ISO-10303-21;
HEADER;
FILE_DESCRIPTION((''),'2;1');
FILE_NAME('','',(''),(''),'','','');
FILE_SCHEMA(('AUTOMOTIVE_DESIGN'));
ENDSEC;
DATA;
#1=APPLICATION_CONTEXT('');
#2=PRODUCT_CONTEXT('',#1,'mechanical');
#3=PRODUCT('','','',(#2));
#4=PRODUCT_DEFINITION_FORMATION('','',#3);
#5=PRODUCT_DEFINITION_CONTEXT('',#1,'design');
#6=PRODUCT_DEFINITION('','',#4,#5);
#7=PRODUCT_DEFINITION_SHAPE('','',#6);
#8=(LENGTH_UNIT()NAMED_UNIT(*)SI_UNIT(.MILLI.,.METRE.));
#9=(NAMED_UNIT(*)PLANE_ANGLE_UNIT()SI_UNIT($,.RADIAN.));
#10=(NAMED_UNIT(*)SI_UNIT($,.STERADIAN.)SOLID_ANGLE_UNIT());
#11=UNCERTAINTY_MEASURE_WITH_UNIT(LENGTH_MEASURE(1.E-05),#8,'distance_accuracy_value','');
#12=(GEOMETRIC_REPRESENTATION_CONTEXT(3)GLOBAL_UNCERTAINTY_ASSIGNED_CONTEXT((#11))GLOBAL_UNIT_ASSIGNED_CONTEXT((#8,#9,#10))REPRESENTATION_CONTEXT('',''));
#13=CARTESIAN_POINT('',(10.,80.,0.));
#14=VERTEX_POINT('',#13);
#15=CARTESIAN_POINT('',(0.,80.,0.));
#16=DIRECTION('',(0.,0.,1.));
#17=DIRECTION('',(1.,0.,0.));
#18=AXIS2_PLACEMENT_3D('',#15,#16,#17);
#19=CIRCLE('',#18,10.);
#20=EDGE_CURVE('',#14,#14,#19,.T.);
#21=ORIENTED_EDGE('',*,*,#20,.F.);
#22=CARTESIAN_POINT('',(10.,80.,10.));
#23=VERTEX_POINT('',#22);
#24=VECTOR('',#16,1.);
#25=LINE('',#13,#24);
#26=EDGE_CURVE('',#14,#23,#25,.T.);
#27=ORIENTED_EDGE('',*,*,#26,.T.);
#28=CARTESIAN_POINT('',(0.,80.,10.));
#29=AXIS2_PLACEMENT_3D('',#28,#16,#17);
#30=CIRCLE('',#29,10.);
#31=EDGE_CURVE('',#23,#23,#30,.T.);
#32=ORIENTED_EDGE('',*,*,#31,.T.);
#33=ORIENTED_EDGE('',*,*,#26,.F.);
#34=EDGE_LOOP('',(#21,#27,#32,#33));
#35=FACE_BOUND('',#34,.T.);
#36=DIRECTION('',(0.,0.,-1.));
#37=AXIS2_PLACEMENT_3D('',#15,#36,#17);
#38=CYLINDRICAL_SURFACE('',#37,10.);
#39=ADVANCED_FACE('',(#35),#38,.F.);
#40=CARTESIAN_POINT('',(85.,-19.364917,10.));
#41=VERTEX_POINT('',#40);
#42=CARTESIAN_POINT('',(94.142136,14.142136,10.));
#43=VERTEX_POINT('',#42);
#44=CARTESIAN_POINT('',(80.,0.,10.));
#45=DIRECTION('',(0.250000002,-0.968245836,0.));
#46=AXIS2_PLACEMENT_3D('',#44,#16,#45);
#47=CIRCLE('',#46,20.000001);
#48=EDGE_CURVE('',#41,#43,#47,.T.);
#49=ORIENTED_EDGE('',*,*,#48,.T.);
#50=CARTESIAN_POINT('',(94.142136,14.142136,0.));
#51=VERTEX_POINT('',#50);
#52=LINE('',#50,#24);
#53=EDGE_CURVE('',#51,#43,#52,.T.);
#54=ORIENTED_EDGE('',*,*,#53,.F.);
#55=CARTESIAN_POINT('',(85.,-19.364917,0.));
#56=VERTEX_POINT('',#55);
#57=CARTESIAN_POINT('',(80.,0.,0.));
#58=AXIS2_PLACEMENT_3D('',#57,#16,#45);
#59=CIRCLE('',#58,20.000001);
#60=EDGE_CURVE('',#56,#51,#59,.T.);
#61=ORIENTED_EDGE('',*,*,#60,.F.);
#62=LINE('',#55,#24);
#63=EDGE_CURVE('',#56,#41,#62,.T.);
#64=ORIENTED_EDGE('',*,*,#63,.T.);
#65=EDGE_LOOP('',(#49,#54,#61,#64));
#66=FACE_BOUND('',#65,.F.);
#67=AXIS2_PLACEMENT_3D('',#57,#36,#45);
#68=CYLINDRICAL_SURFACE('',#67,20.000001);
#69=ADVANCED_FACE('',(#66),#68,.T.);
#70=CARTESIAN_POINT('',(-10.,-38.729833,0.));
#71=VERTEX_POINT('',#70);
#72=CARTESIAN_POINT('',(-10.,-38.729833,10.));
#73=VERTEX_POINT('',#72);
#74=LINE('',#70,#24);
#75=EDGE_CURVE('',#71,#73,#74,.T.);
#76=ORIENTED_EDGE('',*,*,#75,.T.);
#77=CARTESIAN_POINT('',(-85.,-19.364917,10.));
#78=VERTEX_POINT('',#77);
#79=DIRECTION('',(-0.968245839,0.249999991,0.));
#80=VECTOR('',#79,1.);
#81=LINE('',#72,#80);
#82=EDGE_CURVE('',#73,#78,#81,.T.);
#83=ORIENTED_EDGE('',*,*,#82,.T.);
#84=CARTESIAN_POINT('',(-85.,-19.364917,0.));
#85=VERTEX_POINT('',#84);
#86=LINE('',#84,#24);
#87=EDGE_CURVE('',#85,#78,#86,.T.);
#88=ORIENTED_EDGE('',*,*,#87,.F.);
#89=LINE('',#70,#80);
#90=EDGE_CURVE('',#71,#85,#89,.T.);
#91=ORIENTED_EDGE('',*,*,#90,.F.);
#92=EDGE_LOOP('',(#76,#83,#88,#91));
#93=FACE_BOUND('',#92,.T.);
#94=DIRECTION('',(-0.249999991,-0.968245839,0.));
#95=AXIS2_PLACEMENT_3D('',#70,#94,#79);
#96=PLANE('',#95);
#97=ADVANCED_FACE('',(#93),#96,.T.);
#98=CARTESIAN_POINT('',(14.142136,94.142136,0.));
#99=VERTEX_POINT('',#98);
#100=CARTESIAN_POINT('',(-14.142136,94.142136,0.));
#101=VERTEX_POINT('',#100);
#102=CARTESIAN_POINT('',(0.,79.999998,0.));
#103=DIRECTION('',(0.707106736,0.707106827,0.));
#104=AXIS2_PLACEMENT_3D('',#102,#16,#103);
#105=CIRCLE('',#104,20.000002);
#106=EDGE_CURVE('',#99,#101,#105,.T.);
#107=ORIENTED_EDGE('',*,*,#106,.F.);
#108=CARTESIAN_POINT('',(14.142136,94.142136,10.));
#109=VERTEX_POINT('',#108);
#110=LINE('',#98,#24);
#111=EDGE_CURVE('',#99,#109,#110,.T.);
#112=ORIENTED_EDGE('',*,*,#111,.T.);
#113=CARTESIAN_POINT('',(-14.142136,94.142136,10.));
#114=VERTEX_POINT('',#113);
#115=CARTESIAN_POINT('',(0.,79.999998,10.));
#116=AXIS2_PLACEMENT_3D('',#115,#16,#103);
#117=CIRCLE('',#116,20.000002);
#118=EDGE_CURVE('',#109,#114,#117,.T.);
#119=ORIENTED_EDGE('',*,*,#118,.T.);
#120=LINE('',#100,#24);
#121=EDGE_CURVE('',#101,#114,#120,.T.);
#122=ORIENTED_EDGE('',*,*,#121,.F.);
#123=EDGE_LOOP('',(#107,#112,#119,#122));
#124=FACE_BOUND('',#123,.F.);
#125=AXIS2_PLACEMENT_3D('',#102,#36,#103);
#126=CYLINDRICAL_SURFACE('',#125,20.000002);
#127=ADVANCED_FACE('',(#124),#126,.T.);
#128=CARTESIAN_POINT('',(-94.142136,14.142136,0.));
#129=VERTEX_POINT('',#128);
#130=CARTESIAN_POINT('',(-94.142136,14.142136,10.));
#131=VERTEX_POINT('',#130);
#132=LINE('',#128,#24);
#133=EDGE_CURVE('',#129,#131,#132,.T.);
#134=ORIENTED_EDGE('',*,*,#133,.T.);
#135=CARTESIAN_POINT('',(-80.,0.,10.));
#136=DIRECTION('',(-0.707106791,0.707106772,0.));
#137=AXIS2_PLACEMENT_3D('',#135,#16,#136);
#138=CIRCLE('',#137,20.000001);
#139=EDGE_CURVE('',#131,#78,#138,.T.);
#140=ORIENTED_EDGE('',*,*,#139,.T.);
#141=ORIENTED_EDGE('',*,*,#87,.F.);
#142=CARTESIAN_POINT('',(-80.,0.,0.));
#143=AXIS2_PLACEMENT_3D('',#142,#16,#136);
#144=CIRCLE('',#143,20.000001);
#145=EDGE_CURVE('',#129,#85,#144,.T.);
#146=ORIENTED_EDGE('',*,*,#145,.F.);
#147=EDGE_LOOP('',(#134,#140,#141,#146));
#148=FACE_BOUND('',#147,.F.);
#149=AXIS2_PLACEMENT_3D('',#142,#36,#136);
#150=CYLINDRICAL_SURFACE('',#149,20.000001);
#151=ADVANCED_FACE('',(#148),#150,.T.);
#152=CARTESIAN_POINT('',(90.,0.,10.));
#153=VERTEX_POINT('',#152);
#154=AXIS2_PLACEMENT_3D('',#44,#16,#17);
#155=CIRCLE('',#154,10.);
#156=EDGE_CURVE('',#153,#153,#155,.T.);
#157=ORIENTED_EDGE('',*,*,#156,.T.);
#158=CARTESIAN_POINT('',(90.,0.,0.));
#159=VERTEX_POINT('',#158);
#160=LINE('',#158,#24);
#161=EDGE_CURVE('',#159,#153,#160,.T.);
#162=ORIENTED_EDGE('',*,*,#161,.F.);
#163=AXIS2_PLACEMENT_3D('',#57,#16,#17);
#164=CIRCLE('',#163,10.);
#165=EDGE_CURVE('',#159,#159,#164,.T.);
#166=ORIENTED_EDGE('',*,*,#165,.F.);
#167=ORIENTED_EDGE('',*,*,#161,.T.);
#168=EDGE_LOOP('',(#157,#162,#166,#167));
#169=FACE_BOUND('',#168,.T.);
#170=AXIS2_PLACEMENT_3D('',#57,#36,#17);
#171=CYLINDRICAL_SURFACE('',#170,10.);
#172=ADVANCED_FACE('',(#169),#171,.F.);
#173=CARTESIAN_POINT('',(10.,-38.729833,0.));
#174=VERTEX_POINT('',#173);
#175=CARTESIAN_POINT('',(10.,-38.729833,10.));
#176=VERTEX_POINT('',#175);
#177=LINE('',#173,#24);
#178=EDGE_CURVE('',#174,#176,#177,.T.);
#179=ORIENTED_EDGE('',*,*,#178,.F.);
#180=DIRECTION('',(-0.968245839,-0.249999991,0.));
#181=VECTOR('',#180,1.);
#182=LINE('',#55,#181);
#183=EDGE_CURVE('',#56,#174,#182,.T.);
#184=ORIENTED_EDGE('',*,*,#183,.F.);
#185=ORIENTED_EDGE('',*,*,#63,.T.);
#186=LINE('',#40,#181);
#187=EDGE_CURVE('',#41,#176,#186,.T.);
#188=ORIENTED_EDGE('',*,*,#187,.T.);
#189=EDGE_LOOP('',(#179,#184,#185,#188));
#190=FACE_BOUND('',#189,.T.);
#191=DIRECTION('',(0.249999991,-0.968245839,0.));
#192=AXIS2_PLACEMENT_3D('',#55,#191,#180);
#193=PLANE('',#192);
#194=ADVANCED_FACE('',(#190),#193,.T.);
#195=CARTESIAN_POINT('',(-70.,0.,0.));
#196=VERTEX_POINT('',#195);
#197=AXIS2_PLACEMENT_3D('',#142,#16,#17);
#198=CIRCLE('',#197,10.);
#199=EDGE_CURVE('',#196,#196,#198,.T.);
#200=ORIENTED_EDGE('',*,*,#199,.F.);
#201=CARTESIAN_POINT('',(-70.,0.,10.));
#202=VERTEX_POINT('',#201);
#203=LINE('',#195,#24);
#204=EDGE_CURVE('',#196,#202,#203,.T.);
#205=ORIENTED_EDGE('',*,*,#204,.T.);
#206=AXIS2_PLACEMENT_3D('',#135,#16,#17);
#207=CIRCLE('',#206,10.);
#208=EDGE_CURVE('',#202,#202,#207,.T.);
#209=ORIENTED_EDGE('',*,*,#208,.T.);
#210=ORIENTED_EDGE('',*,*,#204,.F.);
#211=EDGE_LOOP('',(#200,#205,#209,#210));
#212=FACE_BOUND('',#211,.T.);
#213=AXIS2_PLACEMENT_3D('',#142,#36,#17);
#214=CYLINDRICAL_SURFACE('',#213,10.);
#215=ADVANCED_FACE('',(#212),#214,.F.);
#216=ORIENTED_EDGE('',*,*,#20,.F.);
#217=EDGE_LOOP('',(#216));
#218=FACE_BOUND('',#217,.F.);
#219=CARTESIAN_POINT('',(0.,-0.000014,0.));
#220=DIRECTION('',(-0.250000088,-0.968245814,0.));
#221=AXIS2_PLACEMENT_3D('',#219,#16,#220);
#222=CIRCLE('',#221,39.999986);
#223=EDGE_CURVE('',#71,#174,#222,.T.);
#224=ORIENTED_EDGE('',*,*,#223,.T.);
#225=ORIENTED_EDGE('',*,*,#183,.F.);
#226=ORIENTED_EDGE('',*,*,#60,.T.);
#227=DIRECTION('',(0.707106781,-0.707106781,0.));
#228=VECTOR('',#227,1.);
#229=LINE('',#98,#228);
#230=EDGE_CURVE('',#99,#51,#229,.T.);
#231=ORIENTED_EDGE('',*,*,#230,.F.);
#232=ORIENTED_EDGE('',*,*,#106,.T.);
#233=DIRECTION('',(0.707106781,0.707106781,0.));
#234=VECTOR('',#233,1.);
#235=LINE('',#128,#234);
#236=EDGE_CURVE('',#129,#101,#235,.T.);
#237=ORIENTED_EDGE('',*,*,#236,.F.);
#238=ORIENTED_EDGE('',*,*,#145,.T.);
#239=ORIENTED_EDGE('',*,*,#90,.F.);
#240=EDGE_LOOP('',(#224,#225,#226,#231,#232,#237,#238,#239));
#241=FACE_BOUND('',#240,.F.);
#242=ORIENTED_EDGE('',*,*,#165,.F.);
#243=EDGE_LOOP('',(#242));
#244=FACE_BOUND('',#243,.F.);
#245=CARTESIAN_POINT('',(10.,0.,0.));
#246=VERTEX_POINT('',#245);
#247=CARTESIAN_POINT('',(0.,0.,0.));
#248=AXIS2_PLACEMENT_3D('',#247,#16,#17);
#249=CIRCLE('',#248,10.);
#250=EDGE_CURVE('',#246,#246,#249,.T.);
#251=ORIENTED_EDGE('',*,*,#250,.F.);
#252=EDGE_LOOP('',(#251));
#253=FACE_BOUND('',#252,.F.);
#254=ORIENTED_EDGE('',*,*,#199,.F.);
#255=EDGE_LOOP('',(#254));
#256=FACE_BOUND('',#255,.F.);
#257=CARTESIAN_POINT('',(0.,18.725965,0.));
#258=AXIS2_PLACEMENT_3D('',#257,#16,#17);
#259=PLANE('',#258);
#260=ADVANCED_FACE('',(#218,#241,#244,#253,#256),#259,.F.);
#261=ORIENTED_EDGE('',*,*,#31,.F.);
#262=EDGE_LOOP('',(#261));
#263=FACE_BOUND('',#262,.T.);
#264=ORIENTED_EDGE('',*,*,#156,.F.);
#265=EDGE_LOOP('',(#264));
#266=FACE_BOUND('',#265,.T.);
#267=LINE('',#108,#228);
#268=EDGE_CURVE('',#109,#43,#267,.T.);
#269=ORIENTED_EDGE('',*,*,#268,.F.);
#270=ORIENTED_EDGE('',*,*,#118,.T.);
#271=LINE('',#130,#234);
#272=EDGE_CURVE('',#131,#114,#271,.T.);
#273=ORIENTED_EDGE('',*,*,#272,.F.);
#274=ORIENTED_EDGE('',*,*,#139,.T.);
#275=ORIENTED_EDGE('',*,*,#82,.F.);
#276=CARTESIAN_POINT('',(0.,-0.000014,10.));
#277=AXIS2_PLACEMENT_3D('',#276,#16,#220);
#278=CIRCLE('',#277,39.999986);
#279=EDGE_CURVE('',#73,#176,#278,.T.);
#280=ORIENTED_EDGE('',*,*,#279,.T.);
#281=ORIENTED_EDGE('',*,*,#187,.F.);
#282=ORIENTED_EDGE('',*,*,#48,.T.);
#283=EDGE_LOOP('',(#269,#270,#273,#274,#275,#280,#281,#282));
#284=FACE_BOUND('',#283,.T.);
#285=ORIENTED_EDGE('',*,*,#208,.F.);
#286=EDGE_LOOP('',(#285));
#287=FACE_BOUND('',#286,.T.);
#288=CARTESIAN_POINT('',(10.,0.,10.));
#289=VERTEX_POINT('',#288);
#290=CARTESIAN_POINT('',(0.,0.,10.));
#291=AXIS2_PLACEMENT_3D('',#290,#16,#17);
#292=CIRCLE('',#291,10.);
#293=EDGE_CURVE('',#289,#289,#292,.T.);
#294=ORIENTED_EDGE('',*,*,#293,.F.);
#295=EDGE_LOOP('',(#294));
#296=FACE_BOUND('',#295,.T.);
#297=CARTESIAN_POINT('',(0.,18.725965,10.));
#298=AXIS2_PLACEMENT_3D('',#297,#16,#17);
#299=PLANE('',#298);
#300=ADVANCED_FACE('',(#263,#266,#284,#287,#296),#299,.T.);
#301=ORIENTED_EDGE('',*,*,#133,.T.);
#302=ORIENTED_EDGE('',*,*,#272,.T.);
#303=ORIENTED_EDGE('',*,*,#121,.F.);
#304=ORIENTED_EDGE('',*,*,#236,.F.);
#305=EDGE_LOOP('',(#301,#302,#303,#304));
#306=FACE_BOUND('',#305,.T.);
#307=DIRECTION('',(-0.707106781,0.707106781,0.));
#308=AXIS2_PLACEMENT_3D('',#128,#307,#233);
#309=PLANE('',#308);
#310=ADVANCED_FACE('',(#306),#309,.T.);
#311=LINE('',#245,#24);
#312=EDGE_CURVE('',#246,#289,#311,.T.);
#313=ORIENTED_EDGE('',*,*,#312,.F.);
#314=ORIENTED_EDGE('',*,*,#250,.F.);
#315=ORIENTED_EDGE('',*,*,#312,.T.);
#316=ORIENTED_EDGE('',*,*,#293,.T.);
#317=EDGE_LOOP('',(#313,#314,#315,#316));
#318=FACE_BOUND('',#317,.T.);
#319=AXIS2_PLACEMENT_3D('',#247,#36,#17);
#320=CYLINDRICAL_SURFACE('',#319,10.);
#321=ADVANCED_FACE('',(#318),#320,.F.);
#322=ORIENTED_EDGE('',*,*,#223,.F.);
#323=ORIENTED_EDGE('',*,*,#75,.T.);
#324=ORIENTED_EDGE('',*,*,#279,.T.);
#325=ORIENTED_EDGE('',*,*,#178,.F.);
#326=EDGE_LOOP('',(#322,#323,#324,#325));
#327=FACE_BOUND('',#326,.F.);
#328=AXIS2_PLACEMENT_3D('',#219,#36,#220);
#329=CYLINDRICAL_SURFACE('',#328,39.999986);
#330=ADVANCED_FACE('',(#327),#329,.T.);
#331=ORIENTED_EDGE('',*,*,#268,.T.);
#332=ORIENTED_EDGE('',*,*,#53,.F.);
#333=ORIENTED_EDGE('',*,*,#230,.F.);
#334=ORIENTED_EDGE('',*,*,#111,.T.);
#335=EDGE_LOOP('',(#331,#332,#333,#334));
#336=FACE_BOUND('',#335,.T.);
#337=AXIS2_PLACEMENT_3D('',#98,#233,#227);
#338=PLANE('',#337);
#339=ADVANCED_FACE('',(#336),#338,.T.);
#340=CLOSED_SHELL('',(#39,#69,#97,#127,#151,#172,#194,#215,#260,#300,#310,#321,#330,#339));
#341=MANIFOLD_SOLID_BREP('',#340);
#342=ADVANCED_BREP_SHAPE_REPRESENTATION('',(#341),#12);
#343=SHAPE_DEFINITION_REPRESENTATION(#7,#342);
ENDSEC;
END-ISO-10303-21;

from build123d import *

# Parameters (mm, degrees)
SKETCH_R      = 10
EXTRUDE_DEPTH = 10


with BuildPart() as part:
    # Sketch → Extrude (new body)
    with BuildSketch(Plane.XY):
        with BuildLine():
            ThreePointArc((-10, -38.729833), (0, -40), (10, -38.729833))
            Line((85, -19.364917), (10, -38.729833))
            ThreePointArc((85, -19.364917), (99.294714, -5.264411), (94.142136, 14.142136))
            Line((14.142136, 94.142136), (94.142136, 14.142136))
            ThreePointArc((14.142136, 94.142136), (0, 100), (-14.142136, 94.142136))
            Line((-94.142136, 14.142136), (-14.142136, 94.142136))
            ThreePointArc((-94.142136, 14.142136), (-99.294714, -5.264411), (-85, -19.364917))
            Line((-10, -38.729833), (-85, -19.364917))
        make_face()
        Circle(SKETCH_R, mode=Mode.SUBTRACT)
        with Locations((-80, 0)):
            Circle(SKETCH_R, mode=Mode.SUBTRACT)
        with Locations((80, 0)):
            Circle(SKETCH_R, mode=Mode.SUBTRACT)
        with Locations((0, 80)):
            Circle(SKETCH_R, mode=Mode.SUBTRACT)
    extrude(amount=EXTRUDE_DEPTH)


solid = part.part
